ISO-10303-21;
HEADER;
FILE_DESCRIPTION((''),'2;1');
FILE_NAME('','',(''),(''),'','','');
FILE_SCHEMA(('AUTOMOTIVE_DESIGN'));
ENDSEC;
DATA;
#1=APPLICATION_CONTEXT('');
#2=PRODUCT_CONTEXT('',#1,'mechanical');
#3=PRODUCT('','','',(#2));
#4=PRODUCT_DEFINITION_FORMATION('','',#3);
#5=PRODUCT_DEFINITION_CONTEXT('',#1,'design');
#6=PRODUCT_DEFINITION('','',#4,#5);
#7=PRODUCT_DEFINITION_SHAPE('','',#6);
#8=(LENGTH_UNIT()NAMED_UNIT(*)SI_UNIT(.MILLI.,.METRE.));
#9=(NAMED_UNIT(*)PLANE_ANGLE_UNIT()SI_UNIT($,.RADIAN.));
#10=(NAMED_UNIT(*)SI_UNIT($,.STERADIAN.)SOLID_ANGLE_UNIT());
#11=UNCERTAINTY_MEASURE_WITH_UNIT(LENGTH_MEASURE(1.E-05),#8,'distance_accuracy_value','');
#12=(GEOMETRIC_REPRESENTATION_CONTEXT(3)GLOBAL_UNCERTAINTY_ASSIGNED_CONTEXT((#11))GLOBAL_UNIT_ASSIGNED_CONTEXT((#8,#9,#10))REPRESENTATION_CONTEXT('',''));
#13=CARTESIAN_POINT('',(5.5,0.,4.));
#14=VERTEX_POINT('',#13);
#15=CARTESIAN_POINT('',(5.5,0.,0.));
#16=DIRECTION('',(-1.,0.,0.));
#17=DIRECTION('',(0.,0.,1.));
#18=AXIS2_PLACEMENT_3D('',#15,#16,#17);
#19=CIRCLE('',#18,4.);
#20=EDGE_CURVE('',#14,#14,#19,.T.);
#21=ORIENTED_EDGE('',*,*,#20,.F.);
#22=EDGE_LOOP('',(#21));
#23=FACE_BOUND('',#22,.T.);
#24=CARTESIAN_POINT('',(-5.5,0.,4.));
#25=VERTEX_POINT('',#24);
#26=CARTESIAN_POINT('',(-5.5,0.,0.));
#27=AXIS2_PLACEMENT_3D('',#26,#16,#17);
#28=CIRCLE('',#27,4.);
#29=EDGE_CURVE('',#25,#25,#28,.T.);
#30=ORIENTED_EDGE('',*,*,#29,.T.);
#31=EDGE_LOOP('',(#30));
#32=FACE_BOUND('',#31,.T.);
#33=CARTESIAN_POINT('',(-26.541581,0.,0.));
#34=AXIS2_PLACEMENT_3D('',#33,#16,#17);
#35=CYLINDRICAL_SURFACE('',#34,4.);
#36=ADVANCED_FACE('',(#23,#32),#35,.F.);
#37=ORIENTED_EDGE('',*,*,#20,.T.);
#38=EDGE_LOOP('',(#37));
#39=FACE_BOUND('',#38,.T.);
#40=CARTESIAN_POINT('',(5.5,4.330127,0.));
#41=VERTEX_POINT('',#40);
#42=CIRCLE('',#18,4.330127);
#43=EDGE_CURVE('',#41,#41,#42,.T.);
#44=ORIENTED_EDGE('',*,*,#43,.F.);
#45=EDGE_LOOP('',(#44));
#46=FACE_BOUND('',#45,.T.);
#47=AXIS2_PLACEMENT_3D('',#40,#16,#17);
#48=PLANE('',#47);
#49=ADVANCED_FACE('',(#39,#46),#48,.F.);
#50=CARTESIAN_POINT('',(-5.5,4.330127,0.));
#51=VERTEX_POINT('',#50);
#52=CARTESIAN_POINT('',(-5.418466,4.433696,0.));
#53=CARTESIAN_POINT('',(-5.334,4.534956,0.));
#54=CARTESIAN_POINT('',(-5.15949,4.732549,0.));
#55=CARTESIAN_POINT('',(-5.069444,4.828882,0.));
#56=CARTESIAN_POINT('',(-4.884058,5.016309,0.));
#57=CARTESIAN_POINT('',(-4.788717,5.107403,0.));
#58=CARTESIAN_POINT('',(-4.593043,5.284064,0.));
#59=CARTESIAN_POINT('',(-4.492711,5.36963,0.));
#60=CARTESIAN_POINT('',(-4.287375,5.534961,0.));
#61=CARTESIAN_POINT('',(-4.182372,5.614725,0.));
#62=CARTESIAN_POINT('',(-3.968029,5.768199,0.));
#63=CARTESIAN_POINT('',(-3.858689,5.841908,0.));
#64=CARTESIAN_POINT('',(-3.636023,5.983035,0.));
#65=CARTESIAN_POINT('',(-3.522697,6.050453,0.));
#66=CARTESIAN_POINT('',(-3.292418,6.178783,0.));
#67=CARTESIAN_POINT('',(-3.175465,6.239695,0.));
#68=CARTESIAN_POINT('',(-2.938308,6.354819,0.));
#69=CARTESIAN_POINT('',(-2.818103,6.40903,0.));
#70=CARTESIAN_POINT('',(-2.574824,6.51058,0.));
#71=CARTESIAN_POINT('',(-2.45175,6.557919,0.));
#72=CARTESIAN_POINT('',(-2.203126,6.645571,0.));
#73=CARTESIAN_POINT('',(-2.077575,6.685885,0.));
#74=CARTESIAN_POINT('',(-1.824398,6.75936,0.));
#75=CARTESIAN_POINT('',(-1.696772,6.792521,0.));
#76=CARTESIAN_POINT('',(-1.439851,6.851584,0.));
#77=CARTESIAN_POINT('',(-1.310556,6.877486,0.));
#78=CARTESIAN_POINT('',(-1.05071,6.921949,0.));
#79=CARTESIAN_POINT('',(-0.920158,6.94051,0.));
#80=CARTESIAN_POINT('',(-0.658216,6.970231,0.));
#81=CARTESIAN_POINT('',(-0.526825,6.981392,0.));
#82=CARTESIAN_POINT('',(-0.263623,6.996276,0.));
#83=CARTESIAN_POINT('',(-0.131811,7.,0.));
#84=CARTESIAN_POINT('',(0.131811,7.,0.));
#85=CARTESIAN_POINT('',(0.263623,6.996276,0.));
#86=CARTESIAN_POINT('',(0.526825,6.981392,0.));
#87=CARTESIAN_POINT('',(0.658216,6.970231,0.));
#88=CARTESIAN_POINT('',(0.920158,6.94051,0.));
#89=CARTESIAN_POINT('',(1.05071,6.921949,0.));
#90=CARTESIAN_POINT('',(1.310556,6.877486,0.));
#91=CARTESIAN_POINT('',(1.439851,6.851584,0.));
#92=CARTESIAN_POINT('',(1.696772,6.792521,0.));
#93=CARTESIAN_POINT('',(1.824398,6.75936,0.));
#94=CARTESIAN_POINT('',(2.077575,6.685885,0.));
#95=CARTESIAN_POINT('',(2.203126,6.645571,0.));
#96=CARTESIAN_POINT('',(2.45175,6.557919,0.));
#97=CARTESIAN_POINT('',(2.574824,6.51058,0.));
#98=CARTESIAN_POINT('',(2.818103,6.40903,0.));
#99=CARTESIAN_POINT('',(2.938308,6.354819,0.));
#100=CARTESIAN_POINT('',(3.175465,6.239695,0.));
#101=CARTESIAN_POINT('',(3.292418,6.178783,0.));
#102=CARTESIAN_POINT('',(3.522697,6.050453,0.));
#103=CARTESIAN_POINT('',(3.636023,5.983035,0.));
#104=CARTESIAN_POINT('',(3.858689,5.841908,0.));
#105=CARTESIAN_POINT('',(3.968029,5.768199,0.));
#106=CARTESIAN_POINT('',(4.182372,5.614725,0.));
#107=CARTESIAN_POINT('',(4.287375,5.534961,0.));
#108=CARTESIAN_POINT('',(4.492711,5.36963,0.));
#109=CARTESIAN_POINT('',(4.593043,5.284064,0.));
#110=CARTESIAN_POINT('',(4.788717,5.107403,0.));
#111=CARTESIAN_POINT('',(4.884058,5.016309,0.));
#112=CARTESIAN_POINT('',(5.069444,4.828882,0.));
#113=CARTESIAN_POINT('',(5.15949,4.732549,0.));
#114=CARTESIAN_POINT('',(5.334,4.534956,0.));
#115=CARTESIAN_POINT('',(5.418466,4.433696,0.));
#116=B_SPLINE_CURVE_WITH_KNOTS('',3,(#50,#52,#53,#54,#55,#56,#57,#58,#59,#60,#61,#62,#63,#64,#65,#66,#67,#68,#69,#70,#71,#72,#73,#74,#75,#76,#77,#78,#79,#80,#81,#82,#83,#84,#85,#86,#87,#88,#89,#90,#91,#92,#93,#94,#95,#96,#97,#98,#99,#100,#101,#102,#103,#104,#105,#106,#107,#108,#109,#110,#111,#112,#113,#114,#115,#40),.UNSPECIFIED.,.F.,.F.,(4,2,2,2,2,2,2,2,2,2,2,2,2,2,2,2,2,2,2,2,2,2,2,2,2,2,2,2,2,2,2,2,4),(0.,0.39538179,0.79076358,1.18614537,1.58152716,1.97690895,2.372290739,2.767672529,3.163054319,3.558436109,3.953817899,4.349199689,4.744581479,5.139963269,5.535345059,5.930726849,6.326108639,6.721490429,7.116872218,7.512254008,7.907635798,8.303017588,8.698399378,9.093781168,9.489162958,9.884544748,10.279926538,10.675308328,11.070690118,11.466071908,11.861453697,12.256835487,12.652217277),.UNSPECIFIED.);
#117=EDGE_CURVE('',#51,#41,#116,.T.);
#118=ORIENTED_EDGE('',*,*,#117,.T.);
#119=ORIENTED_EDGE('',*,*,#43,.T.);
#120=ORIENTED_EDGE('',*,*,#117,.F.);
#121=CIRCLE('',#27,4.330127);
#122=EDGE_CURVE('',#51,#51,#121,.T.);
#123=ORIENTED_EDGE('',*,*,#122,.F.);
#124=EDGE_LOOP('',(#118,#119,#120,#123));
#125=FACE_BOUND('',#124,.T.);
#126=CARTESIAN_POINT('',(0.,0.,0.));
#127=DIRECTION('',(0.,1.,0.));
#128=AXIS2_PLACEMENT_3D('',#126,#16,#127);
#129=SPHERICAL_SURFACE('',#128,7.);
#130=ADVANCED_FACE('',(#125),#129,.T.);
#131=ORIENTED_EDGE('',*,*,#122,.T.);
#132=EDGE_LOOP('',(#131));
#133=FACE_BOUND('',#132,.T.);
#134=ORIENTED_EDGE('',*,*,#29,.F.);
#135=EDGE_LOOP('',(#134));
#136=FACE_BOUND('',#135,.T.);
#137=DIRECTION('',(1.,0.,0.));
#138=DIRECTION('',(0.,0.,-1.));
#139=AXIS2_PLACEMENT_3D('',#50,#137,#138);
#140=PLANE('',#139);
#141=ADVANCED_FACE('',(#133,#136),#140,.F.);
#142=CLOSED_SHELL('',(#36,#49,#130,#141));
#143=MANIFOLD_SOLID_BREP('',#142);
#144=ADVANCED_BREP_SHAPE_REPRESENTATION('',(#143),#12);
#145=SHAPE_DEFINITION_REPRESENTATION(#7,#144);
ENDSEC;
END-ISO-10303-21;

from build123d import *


with BuildPart() as part:
    # Esquisse1 → Base-Révolution (revolve)
    with BuildSketch(Plane.XY, mode=Mode.PRIVATE) as base_r_volution_sk:
        with BuildLine():
            Line((-5.5, 4), (5.5, 4))
            Line((5.5, 4), (5.5, 4.330127019))
            ThreePointArc((5.5, 4.330127019), (0, 7), (-5.5, 4.330127019))
            Line((-5.5, 4.330127019), (-5.5, 4))
        make_face()
    revolve(base_r_volution_sk.sketch.rotate(Axis((-26.541580869, 0, 0), (1, 0, 0)), 90), axis=Axis((-26.541580869, 0, 0), (1, 0, 0)))


solid = part.part
